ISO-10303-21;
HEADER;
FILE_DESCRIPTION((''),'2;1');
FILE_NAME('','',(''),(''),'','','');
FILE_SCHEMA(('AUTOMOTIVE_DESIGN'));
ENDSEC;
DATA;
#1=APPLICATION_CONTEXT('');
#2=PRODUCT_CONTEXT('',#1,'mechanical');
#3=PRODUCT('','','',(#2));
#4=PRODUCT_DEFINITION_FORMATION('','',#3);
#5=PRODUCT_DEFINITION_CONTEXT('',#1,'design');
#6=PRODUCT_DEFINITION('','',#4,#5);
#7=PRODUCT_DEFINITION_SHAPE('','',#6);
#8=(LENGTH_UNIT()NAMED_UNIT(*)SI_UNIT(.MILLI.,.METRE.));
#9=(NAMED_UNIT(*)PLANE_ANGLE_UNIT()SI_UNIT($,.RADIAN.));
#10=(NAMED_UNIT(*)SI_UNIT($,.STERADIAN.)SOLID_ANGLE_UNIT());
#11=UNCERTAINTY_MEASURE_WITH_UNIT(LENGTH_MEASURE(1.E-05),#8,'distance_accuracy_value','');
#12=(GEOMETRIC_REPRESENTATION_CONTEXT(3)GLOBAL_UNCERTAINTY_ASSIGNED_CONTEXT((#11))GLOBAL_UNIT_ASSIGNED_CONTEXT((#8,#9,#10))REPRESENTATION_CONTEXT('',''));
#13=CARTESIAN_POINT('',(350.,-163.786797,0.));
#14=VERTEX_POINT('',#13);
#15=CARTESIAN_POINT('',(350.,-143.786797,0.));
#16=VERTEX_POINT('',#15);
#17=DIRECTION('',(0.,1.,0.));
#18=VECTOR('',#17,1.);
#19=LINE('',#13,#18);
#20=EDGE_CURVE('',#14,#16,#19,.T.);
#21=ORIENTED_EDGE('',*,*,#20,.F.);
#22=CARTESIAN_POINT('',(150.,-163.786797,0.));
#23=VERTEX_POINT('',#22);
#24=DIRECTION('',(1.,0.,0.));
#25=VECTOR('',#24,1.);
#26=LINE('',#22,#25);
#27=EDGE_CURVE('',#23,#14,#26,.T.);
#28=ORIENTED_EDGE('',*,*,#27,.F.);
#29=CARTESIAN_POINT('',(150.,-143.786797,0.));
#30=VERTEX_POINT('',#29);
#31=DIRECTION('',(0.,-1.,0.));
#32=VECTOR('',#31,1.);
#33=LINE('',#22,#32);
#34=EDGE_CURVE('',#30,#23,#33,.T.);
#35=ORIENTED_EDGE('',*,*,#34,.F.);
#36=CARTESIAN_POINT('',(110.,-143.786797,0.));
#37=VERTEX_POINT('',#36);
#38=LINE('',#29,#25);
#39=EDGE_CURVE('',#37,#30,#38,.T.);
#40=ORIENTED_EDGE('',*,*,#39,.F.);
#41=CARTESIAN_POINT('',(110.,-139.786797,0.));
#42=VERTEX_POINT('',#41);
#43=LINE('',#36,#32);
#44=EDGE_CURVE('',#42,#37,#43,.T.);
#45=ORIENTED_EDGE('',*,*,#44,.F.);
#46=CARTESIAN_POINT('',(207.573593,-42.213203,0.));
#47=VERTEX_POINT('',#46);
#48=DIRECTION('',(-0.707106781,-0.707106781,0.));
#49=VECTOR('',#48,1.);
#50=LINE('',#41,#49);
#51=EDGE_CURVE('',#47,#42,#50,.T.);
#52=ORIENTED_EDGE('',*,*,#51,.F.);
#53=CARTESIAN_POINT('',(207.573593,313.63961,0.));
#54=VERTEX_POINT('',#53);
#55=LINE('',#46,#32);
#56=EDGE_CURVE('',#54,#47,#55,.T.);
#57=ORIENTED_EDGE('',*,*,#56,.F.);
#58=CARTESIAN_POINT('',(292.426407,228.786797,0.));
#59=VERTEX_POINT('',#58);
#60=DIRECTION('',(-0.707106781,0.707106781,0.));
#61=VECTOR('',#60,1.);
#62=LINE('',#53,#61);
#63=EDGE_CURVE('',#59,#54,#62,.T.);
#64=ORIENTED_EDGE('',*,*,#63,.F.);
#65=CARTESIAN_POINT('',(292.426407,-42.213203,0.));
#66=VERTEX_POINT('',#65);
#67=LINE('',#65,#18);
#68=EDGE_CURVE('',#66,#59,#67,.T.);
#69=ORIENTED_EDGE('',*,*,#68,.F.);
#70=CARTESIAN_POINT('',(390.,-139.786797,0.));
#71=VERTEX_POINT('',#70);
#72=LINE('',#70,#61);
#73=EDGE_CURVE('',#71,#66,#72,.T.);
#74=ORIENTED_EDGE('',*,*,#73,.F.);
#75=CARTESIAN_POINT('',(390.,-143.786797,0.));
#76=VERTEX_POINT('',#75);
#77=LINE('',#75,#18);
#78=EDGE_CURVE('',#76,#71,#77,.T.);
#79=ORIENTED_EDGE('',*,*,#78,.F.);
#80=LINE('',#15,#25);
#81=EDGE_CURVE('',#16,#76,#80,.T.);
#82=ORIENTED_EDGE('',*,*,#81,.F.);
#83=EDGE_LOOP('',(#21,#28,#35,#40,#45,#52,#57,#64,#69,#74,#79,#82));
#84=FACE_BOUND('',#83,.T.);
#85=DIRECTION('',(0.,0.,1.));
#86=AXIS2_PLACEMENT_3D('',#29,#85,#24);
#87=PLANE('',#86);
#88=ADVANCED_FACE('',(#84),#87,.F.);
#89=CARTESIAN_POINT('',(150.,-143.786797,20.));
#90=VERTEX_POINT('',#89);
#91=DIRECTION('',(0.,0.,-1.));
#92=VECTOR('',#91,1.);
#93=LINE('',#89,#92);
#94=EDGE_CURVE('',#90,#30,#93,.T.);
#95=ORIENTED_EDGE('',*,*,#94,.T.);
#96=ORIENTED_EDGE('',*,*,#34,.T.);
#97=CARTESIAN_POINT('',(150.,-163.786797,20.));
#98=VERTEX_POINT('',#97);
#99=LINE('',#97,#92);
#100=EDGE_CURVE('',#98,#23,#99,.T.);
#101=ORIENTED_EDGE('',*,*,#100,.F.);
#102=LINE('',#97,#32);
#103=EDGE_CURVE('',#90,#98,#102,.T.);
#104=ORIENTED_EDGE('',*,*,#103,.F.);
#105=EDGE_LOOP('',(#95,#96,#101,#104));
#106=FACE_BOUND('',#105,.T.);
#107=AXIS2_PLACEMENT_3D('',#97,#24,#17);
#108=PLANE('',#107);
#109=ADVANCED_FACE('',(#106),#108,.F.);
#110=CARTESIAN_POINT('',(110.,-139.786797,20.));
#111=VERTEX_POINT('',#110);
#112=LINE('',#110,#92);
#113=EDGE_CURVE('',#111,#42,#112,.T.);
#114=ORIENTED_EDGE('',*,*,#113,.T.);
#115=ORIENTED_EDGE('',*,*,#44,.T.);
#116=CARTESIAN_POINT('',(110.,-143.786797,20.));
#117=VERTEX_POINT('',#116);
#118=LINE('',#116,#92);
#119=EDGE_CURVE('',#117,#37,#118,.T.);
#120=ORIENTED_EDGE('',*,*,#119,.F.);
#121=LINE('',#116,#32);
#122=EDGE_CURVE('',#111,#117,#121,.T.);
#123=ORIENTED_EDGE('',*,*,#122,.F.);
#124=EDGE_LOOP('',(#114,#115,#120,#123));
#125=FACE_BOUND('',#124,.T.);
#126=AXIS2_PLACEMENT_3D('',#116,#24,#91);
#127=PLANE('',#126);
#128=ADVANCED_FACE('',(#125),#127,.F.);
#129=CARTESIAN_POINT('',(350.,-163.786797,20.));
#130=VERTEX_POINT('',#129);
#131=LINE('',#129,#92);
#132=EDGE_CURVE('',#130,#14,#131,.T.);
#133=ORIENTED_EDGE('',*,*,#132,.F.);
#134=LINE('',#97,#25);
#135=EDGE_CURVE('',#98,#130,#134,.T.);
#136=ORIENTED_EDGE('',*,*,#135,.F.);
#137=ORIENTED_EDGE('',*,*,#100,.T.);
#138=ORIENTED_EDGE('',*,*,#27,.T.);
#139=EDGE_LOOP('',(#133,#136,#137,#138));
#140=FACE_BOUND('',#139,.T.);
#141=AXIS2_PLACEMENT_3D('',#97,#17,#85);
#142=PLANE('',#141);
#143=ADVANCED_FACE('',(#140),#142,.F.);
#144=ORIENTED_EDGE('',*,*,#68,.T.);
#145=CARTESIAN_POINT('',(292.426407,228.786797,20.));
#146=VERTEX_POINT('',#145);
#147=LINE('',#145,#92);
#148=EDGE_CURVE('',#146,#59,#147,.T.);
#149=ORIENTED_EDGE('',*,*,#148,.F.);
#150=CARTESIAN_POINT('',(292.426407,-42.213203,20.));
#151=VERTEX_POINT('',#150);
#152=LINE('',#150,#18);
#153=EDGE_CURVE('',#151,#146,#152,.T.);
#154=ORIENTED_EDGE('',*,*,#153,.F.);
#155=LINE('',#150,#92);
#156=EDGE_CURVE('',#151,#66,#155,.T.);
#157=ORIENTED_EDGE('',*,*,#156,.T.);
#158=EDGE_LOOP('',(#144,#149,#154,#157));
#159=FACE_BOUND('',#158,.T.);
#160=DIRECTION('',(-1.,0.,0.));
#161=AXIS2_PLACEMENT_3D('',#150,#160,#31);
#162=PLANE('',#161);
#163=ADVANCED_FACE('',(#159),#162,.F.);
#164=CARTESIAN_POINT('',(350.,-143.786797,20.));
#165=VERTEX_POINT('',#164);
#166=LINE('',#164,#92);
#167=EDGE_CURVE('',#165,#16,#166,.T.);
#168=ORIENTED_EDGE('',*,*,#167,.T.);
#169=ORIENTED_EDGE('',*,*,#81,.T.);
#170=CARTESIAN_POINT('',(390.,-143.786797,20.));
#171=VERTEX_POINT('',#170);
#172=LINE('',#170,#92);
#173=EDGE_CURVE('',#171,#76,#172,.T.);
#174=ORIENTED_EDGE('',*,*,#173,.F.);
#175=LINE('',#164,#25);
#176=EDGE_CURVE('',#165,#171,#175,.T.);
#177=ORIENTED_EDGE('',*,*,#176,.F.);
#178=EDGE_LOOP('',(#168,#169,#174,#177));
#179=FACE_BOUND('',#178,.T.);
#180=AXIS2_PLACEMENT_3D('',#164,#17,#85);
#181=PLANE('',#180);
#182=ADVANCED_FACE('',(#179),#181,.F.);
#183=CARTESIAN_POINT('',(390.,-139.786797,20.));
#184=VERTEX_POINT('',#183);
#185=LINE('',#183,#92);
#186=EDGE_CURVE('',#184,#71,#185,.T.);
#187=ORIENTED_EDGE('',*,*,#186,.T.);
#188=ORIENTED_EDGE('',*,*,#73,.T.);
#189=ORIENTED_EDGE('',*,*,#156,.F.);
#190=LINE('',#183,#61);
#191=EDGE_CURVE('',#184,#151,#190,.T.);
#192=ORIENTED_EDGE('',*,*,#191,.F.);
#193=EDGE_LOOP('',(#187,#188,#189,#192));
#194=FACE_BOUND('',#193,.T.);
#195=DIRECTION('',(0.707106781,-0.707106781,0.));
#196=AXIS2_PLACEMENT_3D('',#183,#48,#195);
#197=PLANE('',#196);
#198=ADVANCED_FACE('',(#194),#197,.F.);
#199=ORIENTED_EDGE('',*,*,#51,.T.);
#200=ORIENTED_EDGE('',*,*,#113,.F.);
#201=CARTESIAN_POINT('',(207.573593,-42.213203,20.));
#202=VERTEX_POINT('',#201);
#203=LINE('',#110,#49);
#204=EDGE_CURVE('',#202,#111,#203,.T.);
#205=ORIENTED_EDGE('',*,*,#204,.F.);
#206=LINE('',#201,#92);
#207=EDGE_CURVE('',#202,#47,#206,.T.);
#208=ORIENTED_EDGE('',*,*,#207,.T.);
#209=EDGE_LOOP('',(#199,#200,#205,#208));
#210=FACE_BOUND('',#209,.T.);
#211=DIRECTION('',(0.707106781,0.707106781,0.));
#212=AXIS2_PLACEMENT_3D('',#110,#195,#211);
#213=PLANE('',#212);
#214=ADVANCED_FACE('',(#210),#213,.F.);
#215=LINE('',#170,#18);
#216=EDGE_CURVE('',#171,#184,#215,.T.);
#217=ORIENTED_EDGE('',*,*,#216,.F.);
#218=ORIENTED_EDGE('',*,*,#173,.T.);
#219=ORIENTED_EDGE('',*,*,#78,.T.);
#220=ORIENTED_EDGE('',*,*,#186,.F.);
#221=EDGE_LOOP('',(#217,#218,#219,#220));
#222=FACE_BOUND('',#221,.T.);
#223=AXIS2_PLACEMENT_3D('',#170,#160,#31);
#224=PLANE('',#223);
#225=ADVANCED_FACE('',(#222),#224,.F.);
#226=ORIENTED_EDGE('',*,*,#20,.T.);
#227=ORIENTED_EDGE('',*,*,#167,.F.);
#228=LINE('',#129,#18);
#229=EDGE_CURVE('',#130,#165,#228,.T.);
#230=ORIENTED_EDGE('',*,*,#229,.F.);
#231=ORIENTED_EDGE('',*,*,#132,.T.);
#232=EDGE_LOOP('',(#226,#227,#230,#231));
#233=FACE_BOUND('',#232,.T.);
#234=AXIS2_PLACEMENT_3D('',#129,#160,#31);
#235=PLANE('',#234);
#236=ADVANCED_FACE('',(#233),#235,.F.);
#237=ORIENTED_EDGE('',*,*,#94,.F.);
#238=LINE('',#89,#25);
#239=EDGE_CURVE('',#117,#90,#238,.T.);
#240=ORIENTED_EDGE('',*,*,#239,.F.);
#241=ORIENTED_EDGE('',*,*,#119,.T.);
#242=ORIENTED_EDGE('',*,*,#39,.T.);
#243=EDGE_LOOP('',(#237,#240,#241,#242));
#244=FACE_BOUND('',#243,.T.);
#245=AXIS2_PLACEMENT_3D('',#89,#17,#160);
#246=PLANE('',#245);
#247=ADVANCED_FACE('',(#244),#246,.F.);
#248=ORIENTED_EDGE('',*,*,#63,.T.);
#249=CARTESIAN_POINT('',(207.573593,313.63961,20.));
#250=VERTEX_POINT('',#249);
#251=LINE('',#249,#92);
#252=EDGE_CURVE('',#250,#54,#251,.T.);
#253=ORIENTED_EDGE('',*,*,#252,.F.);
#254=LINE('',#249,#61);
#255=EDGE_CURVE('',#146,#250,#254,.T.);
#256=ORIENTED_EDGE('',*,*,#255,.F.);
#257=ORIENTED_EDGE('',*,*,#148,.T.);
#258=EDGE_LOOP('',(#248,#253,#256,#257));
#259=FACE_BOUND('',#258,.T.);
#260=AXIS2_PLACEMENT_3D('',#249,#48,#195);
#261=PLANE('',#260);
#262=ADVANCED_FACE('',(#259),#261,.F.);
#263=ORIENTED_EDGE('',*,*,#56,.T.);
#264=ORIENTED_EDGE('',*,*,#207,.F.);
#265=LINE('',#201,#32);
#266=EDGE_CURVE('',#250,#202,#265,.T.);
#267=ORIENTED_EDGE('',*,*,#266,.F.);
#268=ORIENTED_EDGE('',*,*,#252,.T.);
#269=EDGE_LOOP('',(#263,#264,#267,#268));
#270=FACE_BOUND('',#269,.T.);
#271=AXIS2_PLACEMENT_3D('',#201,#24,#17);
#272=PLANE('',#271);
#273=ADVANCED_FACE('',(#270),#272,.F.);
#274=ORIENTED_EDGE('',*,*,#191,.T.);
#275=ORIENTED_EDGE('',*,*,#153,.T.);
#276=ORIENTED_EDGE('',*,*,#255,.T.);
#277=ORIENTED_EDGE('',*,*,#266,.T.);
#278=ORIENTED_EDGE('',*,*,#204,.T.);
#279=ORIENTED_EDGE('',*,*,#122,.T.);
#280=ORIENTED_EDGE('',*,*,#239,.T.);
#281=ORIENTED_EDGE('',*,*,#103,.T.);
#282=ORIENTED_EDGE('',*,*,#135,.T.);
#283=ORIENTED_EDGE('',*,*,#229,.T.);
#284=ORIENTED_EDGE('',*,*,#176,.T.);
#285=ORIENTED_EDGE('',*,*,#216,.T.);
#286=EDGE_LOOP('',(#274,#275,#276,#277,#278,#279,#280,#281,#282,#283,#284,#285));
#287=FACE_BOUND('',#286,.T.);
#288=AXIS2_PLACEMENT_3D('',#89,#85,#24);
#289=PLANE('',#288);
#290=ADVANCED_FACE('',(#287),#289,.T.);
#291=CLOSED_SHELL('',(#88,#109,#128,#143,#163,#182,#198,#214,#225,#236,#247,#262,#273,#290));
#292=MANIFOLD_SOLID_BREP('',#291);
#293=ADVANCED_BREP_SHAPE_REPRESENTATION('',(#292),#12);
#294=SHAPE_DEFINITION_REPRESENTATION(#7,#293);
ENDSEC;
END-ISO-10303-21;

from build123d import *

# Parameters (mm, degrees)
BOSS_EXTRUDE1_DEPTH = 20


with BuildPart() as part:
    # Sketch1 → Boss-Extrude1 (new body)
    with BuildSketch(Plane.XY):
        Polygon((150, -163.786796564), (350, -163.786796564), (350, -143.786796564), (390, -143.786796564), (390, -139.786796564), (292.426406871, -42.213203436), (292.426406871, 228.786796564), (207.573593129, 313.639610307), (207.573593129, -42.213203436), (110, -139.786796564), (110, -143.786796564), (150, -143.786796564), align=None)
    extrude(amount=BOSS_EXTRUDE1_DEPTH)


solid = part.part
